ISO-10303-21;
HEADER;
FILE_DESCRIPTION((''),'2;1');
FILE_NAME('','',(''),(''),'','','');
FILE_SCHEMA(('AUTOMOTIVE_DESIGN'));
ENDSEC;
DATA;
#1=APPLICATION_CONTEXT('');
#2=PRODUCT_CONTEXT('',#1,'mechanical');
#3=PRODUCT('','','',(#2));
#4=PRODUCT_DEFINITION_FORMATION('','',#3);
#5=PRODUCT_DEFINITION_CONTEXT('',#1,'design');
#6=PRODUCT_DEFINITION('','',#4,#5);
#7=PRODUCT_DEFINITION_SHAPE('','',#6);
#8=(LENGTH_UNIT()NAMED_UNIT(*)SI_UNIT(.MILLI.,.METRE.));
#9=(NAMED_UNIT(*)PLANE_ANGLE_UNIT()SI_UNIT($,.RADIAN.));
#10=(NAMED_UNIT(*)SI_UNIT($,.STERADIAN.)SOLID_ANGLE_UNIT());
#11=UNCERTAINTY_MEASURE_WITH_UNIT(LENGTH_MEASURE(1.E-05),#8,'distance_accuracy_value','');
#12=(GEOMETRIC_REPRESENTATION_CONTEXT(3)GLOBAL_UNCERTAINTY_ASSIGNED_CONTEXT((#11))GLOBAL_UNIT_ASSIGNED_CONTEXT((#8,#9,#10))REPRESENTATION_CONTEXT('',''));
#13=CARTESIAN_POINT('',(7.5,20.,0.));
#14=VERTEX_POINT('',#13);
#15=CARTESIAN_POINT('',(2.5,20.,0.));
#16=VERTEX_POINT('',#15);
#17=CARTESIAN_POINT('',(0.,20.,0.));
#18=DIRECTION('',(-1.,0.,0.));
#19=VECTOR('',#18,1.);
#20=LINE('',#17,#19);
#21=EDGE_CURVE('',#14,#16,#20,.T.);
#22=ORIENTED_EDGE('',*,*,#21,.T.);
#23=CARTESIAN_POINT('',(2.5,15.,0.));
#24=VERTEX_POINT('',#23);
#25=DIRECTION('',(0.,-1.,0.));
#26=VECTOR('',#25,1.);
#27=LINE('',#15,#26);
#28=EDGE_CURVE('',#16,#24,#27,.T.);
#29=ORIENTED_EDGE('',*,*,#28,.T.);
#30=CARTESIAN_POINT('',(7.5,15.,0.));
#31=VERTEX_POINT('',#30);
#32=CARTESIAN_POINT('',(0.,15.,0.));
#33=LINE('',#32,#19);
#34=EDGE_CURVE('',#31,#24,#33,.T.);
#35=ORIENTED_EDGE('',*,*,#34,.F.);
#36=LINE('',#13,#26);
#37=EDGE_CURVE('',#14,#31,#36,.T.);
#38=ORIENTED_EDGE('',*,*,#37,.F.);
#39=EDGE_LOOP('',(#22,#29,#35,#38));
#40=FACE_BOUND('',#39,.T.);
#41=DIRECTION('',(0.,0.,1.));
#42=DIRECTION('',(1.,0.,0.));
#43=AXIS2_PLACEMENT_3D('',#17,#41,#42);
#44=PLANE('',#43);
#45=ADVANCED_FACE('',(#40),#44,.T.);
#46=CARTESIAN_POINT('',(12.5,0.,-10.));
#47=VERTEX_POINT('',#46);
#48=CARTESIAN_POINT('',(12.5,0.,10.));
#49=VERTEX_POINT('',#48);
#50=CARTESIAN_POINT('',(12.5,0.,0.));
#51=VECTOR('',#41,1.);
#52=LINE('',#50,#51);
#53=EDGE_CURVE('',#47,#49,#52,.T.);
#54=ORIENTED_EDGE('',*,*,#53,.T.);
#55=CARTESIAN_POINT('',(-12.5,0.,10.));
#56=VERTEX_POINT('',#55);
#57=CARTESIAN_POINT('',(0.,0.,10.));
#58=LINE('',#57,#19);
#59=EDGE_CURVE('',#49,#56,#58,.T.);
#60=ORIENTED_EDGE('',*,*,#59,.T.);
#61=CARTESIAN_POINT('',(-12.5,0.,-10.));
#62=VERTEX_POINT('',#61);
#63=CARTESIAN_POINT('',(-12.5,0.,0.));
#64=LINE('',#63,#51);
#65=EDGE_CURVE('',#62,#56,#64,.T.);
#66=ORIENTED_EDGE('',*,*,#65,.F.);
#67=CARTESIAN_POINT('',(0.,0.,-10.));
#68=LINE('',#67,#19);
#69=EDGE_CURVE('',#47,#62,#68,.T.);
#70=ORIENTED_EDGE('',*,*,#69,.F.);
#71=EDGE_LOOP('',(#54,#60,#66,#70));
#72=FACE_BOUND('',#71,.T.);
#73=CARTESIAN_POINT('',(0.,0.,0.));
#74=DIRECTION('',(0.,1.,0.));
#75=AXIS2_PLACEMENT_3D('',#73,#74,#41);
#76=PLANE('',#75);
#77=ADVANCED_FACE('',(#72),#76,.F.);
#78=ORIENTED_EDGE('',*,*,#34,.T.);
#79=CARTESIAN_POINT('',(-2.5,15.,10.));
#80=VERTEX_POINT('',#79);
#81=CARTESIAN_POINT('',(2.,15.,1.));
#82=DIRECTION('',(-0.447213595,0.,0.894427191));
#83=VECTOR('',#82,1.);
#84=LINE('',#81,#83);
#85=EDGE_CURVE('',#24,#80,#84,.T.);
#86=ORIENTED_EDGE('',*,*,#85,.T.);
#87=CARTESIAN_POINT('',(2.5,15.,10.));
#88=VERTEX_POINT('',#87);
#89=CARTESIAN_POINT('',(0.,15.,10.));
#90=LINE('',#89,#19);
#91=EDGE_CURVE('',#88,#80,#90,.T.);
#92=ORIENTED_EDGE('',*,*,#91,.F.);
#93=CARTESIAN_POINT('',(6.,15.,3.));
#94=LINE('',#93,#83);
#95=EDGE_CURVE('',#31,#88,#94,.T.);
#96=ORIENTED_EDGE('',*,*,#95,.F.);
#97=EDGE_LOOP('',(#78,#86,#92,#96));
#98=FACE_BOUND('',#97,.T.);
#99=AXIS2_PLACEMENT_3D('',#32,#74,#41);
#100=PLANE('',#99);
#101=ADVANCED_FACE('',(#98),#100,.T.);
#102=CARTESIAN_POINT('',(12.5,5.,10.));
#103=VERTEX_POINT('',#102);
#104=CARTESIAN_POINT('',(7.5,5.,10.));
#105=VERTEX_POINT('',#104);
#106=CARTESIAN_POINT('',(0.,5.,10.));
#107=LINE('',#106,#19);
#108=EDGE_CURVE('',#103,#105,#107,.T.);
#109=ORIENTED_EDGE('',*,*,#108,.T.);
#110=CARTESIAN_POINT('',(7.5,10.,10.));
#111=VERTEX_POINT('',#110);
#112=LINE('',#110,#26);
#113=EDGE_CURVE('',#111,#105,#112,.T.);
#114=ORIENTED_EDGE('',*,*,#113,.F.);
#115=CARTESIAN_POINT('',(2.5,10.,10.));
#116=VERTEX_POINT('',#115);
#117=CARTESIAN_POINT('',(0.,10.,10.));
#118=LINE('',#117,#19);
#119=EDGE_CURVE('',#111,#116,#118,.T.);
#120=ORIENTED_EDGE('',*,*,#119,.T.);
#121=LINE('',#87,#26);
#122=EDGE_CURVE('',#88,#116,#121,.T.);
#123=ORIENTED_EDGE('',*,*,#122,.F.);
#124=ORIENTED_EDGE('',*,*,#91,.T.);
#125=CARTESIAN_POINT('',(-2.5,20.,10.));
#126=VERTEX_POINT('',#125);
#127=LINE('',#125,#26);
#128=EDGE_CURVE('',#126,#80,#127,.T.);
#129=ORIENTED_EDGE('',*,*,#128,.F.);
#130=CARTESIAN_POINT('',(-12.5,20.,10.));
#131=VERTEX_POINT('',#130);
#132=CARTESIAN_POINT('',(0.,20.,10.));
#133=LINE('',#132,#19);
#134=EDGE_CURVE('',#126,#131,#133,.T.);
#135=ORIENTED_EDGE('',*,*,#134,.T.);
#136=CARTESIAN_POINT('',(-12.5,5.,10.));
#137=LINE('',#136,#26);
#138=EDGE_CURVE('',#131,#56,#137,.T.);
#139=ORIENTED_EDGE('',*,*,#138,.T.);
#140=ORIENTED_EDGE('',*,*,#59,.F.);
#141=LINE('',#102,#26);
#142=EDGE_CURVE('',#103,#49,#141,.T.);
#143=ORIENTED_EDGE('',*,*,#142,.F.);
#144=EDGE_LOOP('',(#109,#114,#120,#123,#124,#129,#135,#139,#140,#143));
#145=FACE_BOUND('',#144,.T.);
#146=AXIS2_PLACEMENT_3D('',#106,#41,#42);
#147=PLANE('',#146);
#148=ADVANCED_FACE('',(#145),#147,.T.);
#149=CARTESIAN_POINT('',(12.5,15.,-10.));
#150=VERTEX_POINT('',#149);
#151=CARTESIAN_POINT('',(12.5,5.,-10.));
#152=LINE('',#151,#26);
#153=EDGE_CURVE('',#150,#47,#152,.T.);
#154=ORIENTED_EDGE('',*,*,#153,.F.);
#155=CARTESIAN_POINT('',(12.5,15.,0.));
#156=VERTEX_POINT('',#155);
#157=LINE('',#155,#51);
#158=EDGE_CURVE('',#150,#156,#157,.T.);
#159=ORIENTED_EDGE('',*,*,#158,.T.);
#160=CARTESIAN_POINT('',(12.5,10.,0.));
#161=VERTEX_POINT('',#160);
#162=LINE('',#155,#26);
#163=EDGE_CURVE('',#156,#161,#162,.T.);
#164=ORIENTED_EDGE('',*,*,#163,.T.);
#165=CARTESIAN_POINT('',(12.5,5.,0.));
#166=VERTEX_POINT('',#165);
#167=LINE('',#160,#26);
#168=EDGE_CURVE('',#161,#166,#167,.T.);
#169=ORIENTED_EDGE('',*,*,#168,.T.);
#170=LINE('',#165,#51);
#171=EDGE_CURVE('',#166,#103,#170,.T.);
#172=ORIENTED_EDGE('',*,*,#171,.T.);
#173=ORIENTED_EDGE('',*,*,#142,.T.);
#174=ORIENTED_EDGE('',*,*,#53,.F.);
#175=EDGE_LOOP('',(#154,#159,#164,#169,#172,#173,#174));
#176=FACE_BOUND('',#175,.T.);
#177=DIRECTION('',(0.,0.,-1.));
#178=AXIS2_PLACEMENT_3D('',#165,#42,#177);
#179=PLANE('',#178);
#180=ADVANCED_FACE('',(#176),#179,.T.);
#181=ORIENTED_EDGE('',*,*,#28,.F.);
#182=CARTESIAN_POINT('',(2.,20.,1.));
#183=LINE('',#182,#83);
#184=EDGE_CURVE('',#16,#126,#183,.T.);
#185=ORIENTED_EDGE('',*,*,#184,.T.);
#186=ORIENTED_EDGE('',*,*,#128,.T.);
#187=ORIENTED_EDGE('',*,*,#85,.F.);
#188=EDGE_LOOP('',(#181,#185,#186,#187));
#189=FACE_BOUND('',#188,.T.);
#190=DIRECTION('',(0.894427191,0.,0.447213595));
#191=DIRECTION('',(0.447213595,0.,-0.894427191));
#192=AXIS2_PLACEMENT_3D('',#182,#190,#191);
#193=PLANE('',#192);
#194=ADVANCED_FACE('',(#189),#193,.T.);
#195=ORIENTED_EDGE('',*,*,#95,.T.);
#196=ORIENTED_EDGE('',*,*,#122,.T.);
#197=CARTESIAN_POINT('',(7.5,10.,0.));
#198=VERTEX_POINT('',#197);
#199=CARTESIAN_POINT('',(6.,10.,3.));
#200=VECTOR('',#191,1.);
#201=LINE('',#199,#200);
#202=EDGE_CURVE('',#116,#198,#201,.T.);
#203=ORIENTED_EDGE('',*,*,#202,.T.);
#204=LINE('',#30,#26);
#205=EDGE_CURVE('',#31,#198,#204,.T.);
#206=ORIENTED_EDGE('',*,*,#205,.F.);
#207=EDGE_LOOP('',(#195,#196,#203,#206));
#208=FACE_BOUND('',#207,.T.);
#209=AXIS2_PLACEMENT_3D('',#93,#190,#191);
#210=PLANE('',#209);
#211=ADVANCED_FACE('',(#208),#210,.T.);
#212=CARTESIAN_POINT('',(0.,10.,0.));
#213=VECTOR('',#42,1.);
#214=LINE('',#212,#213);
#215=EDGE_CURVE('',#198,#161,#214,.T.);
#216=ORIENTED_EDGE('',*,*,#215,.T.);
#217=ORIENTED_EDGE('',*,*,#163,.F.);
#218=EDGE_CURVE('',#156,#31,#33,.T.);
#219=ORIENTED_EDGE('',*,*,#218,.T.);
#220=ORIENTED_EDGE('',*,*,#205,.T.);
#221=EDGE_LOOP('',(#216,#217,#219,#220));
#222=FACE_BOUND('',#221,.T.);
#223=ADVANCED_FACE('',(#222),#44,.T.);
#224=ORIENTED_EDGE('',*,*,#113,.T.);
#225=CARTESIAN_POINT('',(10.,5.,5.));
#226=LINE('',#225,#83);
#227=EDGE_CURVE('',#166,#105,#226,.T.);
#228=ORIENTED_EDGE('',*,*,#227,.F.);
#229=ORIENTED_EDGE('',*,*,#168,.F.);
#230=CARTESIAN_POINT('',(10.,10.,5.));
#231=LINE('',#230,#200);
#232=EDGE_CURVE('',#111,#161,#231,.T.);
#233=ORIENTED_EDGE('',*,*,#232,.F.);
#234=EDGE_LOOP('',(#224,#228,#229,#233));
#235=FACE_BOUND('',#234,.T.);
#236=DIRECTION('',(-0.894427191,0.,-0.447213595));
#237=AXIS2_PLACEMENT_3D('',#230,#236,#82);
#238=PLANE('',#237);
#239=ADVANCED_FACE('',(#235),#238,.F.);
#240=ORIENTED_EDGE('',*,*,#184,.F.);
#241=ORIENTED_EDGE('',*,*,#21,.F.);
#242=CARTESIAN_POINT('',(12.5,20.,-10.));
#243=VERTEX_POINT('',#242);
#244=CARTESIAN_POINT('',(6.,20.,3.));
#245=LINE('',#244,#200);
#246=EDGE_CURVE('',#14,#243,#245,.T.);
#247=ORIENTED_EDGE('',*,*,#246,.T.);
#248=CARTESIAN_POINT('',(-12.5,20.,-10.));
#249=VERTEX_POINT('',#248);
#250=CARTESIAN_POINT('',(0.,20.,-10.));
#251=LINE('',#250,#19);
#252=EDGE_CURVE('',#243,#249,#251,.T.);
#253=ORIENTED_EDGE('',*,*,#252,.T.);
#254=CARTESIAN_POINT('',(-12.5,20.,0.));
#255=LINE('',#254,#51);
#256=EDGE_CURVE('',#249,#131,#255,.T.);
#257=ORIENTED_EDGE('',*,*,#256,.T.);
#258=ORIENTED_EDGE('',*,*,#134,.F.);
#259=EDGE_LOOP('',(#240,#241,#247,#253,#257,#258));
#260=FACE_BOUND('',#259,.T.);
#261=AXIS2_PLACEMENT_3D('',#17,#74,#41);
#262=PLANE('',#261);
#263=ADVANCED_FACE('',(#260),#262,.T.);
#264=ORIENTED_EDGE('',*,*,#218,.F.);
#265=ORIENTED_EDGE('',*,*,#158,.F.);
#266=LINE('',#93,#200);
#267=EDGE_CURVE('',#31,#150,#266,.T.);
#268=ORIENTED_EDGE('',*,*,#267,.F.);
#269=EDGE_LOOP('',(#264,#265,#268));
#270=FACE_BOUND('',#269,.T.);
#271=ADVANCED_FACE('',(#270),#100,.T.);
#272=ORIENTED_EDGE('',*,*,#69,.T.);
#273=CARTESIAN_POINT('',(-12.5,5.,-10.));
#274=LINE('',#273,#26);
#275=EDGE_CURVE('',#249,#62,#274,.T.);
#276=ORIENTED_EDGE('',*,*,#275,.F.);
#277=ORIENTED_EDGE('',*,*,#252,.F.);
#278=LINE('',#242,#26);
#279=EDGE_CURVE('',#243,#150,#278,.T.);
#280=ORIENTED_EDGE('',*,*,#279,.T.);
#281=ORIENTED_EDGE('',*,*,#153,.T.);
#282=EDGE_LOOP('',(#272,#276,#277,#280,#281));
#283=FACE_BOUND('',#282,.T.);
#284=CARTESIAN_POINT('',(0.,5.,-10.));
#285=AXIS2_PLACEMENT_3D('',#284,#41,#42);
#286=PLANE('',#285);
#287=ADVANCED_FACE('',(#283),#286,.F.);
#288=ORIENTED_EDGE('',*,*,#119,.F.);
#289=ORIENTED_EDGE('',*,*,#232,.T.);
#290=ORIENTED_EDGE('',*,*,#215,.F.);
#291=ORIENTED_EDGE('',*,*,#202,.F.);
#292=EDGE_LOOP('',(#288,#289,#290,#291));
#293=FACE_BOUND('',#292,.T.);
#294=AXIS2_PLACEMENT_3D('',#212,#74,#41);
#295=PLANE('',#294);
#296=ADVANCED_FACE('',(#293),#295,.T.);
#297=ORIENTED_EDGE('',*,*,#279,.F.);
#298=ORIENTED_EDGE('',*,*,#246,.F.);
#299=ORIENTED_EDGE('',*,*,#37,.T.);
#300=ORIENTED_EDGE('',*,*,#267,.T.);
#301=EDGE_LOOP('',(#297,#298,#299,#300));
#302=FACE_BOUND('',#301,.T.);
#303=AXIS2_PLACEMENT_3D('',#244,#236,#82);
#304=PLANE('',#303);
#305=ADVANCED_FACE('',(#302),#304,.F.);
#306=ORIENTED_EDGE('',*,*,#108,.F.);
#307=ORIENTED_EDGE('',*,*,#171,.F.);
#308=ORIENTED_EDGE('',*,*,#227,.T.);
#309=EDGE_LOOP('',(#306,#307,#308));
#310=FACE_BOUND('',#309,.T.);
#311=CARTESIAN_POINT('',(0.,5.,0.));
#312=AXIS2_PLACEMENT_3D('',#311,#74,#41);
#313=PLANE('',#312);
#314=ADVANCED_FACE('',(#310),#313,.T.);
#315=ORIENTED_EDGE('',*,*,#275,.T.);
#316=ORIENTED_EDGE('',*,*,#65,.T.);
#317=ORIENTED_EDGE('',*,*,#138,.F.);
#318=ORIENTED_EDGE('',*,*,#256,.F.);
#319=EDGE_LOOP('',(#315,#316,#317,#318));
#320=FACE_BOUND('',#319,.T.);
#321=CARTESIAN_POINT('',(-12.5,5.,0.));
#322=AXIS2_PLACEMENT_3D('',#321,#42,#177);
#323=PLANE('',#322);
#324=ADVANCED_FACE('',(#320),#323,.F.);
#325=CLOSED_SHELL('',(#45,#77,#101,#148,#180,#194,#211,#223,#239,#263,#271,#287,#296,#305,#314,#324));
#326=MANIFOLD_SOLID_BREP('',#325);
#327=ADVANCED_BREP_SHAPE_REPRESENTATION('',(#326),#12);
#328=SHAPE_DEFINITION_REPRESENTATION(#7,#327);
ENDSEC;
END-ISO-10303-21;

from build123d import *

# Parameters (mm, degrees)
SKETCH_1_W      = 25
SKETCH_1_H      = 20
EXTRUDE_1_DEPTH = 5
EXTRUDE_2_DEPTH = 10
EXTRUDE_4_DEPTH = 20
EXTRUDE_5_DEPTH = 15


with BuildPart() as part:
    # 草圖1 → 填料-伸長1 (new body)
    with BuildSketch(Plane(origin=(0, 0, 0), x_dir=(1, 0, 0), z_dir=(0, 1, 0))):
        Rectangle(SKETCH_1_W, SKETCH_1_H)
    extrude(amount=EXTRUDE_1_DEPTH)

    # 草圖1<3> → 填料-伸長2 (add)
    with BuildSketch(Plane(origin=(0, 0, 0), x_dir=(1, 0, 0), z_dir=(0, 1, 0))):
        Polygon((7.5, -10), (12.5, 0), (12.5, 10), (-12.5, 10), (-12.5, -10), align=None)
    extrude(amount=EXTRUDE_2_DEPTH)

    # 草圖1<5> → 填料-伸長4 (add)
    with BuildSketch(Plane(origin=(0, 0, 0), x_dir=(1, 0, 0), z_dir=(0, 1, 0))):
        Polygon((-2.5, -10), (2.5, 0), (7.5, 0), (12.5, 10), (-12.5, 10), (-12.5, -10), align=None)
    extrude(amount=EXTRUDE_4_DEPTH)

    # 草圖1<6> → 填料-伸長5 (add)
    with BuildSketch(Plane(origin=(0, 0, 0), x_dir=(1, 0, 0), z_dir=(0, 1, 0))):
        Polygon((7.5, 0), (2.5, 0), (-2.5, -10), (2.5, -10), align=None)
        Polygon((12.5, 10), (7.5, 0), (12.5, 0), align=None)
    extrude(amount=EXTRUDE_5_DEPTH)


solid = part.part
